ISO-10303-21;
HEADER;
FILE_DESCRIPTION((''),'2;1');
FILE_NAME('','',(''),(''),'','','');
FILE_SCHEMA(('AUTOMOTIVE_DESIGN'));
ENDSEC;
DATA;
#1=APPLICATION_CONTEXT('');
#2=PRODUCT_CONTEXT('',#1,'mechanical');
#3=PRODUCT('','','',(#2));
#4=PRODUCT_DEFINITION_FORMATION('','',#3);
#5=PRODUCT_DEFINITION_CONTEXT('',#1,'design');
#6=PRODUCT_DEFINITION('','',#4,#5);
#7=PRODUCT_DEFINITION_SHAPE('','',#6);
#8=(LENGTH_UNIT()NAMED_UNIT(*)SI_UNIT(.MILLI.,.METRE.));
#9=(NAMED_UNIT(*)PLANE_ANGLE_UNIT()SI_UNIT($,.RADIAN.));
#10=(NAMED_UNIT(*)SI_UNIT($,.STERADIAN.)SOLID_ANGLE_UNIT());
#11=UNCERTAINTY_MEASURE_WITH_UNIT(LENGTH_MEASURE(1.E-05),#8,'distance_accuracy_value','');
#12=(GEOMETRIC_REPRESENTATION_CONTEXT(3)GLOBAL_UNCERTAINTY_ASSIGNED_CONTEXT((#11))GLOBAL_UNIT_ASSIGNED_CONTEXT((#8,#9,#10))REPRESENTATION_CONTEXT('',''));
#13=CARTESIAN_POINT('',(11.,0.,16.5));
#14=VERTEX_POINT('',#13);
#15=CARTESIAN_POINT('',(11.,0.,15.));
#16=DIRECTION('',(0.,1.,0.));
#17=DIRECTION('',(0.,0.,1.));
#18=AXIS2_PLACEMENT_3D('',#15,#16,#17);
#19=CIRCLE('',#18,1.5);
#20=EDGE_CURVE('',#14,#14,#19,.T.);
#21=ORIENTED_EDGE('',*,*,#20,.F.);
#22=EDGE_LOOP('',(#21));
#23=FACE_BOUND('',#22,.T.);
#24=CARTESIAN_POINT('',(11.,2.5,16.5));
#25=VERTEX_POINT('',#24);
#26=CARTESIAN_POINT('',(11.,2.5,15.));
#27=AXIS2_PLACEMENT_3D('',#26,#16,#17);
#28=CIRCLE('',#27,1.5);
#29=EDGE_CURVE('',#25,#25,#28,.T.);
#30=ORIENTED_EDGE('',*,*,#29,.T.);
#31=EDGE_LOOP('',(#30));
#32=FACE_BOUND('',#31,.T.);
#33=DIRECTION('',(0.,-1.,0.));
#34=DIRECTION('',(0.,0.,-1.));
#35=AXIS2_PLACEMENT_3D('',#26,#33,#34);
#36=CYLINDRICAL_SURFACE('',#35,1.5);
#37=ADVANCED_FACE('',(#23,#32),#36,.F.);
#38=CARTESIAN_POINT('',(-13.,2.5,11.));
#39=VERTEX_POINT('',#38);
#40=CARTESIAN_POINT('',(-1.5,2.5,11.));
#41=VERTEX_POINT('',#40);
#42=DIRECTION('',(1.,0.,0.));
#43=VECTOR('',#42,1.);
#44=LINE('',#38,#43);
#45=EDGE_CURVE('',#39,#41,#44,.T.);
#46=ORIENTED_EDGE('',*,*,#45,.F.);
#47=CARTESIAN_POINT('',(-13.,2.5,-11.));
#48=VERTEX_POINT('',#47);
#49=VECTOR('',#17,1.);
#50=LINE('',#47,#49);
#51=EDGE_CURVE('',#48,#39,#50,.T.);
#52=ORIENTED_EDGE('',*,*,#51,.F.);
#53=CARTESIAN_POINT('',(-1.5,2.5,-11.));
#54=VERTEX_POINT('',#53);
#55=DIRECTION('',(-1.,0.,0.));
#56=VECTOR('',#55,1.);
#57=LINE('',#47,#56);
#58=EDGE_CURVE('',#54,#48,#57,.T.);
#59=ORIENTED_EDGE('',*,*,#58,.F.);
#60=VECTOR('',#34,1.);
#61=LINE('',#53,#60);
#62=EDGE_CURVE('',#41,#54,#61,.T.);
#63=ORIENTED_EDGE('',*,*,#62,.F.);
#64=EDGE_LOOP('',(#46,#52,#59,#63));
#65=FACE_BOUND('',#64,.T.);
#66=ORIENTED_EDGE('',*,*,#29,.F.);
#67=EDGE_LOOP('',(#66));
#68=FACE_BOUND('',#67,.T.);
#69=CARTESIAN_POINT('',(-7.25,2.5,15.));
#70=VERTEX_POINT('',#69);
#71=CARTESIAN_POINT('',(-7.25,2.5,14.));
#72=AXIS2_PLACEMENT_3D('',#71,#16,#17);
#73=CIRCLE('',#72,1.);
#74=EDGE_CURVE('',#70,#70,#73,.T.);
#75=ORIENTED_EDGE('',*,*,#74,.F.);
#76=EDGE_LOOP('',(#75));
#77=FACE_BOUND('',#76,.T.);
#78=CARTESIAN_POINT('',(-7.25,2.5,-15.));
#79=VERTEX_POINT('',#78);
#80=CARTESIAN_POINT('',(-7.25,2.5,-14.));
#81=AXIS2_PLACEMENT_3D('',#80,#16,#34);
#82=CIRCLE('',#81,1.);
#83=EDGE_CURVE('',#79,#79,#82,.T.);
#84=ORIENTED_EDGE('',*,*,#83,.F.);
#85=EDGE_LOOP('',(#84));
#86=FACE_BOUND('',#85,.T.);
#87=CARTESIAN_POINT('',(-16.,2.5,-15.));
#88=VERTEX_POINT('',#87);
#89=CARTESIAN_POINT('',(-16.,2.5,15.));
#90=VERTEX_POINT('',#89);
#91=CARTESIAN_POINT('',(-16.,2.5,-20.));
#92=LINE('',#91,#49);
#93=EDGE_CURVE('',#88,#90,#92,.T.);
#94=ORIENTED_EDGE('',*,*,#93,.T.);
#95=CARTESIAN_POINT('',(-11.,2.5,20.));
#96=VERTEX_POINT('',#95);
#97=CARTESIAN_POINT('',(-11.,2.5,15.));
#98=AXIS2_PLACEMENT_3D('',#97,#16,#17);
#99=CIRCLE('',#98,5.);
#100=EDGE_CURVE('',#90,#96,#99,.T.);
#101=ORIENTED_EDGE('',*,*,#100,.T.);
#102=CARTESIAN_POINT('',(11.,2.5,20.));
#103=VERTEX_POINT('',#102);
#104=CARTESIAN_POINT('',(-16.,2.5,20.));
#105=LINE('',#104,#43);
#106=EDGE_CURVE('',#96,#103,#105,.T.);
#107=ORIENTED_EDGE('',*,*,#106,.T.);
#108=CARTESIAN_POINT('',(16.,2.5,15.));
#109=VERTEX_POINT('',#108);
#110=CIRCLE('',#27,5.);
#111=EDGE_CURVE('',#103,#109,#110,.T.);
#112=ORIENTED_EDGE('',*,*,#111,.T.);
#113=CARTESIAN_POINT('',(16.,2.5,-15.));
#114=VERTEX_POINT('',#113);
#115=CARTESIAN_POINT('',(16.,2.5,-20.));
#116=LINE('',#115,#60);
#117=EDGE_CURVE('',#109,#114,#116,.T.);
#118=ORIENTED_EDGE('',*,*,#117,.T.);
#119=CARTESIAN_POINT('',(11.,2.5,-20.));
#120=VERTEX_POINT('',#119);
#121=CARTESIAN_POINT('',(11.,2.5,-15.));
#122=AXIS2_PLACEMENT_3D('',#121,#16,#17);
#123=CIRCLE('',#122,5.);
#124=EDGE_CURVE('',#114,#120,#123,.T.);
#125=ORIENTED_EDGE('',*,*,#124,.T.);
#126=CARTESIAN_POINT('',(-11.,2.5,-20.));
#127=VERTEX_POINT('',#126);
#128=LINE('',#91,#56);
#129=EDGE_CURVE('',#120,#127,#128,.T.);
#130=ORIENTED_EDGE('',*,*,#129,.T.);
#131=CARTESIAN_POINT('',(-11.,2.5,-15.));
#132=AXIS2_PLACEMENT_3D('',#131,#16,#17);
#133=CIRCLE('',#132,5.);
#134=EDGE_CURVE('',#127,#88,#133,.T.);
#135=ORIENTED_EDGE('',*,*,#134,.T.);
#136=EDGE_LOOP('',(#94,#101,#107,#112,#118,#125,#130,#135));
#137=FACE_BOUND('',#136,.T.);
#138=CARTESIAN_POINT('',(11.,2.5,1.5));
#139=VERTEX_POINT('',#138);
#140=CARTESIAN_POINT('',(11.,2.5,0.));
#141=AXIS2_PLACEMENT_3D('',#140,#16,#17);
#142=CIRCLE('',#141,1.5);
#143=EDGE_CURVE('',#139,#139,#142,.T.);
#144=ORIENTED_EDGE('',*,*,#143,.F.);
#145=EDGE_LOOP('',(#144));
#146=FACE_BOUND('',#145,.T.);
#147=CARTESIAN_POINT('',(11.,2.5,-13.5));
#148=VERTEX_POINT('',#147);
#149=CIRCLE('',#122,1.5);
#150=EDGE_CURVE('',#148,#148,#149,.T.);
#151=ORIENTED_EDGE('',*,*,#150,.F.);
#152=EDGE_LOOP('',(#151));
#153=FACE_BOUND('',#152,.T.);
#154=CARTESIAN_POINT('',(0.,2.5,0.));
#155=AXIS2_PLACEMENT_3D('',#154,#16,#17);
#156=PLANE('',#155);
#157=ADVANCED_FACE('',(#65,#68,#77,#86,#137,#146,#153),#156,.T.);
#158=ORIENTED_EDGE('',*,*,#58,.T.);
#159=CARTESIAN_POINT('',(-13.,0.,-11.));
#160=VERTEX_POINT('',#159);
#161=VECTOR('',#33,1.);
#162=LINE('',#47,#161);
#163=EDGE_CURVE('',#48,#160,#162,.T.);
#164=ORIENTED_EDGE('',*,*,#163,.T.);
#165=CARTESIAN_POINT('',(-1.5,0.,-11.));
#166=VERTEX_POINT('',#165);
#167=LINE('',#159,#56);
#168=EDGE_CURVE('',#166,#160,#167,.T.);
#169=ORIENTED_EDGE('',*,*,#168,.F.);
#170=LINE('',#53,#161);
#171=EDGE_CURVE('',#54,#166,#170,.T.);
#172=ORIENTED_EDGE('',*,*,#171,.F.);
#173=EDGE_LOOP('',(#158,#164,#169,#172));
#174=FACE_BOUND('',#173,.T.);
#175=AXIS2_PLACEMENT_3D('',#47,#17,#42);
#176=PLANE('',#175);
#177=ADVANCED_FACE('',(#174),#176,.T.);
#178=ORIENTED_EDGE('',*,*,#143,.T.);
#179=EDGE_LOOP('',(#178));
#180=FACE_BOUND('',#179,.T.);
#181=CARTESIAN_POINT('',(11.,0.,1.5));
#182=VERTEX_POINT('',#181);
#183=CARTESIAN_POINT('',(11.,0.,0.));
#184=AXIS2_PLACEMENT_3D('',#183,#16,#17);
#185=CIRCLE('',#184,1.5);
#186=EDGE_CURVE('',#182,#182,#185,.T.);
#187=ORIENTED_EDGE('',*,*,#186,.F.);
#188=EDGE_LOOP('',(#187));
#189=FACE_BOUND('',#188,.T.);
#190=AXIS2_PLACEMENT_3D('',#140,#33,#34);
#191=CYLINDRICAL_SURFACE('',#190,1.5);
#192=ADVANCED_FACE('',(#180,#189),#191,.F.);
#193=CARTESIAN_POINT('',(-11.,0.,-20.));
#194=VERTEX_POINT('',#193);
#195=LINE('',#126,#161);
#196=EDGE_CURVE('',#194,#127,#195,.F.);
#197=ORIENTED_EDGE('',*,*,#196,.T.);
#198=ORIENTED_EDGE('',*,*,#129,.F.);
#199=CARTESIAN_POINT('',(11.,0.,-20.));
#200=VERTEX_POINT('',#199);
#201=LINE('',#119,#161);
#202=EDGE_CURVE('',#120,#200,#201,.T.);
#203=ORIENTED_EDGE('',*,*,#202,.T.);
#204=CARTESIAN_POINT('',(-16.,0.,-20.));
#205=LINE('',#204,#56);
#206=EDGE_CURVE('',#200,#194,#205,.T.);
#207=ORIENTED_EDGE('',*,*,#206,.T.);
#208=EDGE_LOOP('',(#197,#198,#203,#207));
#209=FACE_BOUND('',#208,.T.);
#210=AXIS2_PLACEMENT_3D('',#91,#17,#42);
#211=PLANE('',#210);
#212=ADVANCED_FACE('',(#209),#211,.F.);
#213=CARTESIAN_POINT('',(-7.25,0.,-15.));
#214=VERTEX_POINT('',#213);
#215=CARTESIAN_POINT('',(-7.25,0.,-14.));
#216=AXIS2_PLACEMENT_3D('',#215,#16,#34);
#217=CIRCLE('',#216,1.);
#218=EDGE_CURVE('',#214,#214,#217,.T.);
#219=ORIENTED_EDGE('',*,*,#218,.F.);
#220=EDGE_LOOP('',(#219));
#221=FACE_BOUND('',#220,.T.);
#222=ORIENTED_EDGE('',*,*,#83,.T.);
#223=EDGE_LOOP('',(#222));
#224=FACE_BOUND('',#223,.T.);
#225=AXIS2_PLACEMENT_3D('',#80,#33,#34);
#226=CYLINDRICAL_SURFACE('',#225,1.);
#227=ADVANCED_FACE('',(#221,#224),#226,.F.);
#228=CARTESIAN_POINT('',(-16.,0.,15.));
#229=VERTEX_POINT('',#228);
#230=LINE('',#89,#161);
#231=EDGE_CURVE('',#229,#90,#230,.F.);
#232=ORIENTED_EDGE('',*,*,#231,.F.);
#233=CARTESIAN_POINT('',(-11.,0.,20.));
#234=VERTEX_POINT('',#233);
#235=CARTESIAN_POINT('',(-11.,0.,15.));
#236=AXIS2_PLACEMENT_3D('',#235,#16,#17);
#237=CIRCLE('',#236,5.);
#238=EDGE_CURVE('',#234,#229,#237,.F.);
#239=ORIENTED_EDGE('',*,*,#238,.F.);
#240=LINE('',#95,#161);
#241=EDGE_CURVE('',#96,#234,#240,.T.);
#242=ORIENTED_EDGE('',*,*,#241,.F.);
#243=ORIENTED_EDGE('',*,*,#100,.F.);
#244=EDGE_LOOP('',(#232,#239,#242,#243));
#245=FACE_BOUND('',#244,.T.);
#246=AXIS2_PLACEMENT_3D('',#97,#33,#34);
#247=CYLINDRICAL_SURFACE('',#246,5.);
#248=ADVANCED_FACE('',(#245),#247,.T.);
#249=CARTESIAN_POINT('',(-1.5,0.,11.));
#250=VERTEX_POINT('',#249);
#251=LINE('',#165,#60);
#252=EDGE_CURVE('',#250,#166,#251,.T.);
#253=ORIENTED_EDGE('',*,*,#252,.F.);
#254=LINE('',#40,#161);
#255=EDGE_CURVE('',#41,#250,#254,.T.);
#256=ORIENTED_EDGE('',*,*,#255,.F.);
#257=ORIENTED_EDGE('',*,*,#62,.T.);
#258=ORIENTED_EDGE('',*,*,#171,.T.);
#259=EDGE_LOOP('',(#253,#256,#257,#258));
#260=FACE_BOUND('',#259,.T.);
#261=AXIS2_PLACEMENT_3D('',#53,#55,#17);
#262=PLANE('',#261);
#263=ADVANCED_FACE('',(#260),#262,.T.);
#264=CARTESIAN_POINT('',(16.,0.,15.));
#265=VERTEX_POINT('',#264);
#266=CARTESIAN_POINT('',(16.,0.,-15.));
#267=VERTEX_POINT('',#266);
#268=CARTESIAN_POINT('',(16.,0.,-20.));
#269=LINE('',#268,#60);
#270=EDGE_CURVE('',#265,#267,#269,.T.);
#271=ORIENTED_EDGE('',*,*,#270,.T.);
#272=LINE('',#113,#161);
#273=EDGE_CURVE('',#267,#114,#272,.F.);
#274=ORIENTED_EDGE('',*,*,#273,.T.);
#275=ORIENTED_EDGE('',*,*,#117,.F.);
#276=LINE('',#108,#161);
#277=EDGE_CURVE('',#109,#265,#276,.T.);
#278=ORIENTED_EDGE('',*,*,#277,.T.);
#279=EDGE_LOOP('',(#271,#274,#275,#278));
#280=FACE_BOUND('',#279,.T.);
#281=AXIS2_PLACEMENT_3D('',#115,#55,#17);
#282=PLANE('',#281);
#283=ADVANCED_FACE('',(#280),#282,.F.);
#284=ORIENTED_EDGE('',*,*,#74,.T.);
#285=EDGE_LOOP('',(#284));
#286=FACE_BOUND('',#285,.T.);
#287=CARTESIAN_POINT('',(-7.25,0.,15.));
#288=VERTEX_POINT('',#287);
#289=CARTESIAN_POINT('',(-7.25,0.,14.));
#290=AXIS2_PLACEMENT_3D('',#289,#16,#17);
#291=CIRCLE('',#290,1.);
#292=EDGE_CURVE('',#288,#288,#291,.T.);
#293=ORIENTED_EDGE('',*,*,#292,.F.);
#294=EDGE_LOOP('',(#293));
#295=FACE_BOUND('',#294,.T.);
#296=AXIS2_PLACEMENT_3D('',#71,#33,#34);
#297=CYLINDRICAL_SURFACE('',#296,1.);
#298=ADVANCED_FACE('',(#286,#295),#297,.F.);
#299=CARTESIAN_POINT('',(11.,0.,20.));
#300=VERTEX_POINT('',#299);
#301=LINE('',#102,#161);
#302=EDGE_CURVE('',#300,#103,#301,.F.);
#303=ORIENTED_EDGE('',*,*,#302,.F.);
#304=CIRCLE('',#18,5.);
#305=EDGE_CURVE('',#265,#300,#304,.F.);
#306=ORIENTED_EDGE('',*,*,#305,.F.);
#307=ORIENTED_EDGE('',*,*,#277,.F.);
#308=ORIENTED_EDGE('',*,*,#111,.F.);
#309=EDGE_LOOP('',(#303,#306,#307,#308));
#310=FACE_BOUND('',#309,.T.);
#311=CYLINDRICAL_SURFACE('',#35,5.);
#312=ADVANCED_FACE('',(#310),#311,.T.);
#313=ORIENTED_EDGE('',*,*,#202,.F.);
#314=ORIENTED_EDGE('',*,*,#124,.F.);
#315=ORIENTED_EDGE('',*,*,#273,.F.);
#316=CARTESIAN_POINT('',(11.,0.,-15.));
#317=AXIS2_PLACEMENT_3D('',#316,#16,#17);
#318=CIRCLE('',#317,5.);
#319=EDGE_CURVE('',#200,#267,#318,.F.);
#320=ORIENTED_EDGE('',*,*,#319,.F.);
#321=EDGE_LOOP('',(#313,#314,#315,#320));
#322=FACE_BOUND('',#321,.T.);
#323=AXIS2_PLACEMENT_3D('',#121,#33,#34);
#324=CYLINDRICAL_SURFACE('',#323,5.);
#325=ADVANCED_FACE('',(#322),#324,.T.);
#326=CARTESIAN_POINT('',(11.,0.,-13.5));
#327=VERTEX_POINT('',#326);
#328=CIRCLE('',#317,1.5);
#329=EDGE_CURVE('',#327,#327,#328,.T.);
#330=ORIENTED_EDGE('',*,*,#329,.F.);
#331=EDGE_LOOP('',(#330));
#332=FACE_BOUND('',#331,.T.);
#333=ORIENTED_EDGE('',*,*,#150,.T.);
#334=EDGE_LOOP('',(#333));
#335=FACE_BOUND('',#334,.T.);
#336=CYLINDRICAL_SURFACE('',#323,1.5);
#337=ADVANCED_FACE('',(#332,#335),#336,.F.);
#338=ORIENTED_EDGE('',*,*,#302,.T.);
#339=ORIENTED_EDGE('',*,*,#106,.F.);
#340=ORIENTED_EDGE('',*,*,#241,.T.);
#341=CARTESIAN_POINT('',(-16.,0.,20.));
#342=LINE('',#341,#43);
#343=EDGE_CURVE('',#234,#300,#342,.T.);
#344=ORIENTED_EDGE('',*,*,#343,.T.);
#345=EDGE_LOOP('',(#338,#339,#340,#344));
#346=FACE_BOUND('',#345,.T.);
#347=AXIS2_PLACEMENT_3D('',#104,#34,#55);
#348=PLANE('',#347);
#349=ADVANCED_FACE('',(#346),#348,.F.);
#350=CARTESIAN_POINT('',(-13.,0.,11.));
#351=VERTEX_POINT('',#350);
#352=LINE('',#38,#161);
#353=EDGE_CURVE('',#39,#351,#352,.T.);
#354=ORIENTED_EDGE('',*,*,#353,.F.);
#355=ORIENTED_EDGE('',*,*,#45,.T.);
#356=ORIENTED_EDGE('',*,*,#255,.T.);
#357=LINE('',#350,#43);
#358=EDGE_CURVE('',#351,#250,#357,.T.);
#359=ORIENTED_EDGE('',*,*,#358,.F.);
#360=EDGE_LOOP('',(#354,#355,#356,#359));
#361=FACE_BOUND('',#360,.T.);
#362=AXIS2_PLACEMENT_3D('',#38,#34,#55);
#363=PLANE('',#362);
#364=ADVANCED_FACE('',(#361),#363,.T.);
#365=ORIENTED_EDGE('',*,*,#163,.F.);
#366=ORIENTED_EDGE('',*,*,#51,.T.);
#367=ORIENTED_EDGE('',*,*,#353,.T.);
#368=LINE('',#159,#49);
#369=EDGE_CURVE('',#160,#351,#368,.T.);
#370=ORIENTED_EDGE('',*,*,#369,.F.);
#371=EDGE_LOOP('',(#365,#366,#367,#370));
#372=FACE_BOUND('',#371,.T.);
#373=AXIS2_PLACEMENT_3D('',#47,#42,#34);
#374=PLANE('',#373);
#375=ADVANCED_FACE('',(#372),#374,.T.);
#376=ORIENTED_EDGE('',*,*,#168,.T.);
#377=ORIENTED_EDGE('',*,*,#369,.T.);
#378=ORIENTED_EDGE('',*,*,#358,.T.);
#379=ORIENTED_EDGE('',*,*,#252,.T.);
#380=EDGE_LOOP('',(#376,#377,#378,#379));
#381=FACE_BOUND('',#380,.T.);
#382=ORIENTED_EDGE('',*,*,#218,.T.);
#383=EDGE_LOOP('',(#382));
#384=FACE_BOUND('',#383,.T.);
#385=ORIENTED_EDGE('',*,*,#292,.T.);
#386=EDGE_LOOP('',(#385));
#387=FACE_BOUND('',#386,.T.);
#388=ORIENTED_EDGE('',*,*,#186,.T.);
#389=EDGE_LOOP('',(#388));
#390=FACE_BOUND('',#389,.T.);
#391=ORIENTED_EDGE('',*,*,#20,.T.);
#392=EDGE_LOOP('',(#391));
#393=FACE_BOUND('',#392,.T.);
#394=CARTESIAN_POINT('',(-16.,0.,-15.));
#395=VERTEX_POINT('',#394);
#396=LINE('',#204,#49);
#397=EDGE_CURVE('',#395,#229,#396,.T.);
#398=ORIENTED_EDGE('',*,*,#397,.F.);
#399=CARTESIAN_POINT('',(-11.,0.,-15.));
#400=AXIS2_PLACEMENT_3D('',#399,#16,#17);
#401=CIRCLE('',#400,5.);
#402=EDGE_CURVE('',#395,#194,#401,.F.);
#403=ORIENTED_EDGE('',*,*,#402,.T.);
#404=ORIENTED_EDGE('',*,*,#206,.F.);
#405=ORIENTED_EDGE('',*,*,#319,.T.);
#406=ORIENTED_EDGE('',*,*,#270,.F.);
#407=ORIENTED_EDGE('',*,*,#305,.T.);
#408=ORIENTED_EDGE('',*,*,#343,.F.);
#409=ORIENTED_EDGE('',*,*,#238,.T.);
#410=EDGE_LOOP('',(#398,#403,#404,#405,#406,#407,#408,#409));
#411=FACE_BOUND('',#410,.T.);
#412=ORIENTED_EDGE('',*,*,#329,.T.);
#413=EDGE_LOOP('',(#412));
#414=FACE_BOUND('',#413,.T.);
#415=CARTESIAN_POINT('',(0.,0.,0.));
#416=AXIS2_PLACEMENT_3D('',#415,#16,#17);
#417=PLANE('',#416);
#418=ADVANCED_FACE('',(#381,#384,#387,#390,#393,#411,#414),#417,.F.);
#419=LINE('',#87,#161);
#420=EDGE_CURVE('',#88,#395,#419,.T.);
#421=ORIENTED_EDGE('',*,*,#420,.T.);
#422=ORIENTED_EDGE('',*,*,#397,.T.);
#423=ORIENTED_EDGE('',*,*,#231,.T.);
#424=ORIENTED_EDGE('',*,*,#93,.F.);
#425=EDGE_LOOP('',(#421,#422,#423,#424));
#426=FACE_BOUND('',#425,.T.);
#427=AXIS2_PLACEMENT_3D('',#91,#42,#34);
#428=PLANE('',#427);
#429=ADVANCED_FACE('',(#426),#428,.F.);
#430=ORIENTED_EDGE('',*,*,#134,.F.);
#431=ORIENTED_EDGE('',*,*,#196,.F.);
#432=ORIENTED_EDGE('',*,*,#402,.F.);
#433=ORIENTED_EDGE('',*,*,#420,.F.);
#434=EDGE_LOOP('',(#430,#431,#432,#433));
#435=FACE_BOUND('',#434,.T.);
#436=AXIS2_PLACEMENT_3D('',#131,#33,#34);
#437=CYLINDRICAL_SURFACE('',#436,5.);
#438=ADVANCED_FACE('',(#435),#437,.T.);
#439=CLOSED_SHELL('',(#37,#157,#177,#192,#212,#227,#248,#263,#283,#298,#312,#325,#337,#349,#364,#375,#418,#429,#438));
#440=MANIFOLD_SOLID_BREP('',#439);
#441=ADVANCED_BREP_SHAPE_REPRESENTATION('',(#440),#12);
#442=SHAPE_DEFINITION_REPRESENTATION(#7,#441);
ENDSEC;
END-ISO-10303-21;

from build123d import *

# Parameters (mm, degrees)
SKETCH1_W           = 32
SKETCH1_H           = 40
SKETCH1_R           = 1.5
SKETCH1_R_2         = 1
SKETCH1_W_2         = 11.5
SKETCH1_H_2         = 22
BOSS_EXTRUDE1_DEPTH = 2.5
FILLET1_R           = 5


with BuildPart() as part:
    # Sketch1 → Boss-Extrude1 (new body)
    with BuildSketch(Plane(origin=(0, 0, 0), x_dir=(1, 0, 0), z_dir=(0, 1, 0))):
        Rectangle(SKETCH1_W, SKETCH1_H)
        with Locations(Location((11, 15, 0), (0, 0, 270))):
            Circle(SKETCH1_R, mode=Mode.SUBTRACT)
        with Locations(Location((11, 0, 0), (0, 0, 270))):
            Circle(SKETCH1_R, mode=Mode.SUBTRACT)
        with Locations(Location((11, -15, 0), (0, 0, 270))):
            Circle(SKETCH1_R, mode=Mode.SUBTRACT)
        with Locations(Location((-7.25, -14, 0), (0, 0, 270))):
            Circle(SKETCH1_R_2, mode=Mode.SUBTRACT)
        with Locations(Location((-7.25, 14, 0), (0, 0, 90))):
            Circle(SKETCH1_R_2, mode=Mode.SUBTRACT)
        with Locations((-7.25, 0)):
            Rectangle(SKETCH1_W_2, SKETCH1_H_2, mode=Mode.SUBTRACT)
    extrude(amount=BOSS_EXTRUDE1_DEPTH)

    # Fillet1
    fillet1_edges = [part.edges().sort_by_distance(p)[0] for p in [
        (-16, 1.25, -20),
        (16, 1.25, -20),
        (16, 1.25, 20),
        (-16, 1.25, 20),
    ]]
    fillet(fillet1_edges, radius=FILLET1_R)


solid = part.part
